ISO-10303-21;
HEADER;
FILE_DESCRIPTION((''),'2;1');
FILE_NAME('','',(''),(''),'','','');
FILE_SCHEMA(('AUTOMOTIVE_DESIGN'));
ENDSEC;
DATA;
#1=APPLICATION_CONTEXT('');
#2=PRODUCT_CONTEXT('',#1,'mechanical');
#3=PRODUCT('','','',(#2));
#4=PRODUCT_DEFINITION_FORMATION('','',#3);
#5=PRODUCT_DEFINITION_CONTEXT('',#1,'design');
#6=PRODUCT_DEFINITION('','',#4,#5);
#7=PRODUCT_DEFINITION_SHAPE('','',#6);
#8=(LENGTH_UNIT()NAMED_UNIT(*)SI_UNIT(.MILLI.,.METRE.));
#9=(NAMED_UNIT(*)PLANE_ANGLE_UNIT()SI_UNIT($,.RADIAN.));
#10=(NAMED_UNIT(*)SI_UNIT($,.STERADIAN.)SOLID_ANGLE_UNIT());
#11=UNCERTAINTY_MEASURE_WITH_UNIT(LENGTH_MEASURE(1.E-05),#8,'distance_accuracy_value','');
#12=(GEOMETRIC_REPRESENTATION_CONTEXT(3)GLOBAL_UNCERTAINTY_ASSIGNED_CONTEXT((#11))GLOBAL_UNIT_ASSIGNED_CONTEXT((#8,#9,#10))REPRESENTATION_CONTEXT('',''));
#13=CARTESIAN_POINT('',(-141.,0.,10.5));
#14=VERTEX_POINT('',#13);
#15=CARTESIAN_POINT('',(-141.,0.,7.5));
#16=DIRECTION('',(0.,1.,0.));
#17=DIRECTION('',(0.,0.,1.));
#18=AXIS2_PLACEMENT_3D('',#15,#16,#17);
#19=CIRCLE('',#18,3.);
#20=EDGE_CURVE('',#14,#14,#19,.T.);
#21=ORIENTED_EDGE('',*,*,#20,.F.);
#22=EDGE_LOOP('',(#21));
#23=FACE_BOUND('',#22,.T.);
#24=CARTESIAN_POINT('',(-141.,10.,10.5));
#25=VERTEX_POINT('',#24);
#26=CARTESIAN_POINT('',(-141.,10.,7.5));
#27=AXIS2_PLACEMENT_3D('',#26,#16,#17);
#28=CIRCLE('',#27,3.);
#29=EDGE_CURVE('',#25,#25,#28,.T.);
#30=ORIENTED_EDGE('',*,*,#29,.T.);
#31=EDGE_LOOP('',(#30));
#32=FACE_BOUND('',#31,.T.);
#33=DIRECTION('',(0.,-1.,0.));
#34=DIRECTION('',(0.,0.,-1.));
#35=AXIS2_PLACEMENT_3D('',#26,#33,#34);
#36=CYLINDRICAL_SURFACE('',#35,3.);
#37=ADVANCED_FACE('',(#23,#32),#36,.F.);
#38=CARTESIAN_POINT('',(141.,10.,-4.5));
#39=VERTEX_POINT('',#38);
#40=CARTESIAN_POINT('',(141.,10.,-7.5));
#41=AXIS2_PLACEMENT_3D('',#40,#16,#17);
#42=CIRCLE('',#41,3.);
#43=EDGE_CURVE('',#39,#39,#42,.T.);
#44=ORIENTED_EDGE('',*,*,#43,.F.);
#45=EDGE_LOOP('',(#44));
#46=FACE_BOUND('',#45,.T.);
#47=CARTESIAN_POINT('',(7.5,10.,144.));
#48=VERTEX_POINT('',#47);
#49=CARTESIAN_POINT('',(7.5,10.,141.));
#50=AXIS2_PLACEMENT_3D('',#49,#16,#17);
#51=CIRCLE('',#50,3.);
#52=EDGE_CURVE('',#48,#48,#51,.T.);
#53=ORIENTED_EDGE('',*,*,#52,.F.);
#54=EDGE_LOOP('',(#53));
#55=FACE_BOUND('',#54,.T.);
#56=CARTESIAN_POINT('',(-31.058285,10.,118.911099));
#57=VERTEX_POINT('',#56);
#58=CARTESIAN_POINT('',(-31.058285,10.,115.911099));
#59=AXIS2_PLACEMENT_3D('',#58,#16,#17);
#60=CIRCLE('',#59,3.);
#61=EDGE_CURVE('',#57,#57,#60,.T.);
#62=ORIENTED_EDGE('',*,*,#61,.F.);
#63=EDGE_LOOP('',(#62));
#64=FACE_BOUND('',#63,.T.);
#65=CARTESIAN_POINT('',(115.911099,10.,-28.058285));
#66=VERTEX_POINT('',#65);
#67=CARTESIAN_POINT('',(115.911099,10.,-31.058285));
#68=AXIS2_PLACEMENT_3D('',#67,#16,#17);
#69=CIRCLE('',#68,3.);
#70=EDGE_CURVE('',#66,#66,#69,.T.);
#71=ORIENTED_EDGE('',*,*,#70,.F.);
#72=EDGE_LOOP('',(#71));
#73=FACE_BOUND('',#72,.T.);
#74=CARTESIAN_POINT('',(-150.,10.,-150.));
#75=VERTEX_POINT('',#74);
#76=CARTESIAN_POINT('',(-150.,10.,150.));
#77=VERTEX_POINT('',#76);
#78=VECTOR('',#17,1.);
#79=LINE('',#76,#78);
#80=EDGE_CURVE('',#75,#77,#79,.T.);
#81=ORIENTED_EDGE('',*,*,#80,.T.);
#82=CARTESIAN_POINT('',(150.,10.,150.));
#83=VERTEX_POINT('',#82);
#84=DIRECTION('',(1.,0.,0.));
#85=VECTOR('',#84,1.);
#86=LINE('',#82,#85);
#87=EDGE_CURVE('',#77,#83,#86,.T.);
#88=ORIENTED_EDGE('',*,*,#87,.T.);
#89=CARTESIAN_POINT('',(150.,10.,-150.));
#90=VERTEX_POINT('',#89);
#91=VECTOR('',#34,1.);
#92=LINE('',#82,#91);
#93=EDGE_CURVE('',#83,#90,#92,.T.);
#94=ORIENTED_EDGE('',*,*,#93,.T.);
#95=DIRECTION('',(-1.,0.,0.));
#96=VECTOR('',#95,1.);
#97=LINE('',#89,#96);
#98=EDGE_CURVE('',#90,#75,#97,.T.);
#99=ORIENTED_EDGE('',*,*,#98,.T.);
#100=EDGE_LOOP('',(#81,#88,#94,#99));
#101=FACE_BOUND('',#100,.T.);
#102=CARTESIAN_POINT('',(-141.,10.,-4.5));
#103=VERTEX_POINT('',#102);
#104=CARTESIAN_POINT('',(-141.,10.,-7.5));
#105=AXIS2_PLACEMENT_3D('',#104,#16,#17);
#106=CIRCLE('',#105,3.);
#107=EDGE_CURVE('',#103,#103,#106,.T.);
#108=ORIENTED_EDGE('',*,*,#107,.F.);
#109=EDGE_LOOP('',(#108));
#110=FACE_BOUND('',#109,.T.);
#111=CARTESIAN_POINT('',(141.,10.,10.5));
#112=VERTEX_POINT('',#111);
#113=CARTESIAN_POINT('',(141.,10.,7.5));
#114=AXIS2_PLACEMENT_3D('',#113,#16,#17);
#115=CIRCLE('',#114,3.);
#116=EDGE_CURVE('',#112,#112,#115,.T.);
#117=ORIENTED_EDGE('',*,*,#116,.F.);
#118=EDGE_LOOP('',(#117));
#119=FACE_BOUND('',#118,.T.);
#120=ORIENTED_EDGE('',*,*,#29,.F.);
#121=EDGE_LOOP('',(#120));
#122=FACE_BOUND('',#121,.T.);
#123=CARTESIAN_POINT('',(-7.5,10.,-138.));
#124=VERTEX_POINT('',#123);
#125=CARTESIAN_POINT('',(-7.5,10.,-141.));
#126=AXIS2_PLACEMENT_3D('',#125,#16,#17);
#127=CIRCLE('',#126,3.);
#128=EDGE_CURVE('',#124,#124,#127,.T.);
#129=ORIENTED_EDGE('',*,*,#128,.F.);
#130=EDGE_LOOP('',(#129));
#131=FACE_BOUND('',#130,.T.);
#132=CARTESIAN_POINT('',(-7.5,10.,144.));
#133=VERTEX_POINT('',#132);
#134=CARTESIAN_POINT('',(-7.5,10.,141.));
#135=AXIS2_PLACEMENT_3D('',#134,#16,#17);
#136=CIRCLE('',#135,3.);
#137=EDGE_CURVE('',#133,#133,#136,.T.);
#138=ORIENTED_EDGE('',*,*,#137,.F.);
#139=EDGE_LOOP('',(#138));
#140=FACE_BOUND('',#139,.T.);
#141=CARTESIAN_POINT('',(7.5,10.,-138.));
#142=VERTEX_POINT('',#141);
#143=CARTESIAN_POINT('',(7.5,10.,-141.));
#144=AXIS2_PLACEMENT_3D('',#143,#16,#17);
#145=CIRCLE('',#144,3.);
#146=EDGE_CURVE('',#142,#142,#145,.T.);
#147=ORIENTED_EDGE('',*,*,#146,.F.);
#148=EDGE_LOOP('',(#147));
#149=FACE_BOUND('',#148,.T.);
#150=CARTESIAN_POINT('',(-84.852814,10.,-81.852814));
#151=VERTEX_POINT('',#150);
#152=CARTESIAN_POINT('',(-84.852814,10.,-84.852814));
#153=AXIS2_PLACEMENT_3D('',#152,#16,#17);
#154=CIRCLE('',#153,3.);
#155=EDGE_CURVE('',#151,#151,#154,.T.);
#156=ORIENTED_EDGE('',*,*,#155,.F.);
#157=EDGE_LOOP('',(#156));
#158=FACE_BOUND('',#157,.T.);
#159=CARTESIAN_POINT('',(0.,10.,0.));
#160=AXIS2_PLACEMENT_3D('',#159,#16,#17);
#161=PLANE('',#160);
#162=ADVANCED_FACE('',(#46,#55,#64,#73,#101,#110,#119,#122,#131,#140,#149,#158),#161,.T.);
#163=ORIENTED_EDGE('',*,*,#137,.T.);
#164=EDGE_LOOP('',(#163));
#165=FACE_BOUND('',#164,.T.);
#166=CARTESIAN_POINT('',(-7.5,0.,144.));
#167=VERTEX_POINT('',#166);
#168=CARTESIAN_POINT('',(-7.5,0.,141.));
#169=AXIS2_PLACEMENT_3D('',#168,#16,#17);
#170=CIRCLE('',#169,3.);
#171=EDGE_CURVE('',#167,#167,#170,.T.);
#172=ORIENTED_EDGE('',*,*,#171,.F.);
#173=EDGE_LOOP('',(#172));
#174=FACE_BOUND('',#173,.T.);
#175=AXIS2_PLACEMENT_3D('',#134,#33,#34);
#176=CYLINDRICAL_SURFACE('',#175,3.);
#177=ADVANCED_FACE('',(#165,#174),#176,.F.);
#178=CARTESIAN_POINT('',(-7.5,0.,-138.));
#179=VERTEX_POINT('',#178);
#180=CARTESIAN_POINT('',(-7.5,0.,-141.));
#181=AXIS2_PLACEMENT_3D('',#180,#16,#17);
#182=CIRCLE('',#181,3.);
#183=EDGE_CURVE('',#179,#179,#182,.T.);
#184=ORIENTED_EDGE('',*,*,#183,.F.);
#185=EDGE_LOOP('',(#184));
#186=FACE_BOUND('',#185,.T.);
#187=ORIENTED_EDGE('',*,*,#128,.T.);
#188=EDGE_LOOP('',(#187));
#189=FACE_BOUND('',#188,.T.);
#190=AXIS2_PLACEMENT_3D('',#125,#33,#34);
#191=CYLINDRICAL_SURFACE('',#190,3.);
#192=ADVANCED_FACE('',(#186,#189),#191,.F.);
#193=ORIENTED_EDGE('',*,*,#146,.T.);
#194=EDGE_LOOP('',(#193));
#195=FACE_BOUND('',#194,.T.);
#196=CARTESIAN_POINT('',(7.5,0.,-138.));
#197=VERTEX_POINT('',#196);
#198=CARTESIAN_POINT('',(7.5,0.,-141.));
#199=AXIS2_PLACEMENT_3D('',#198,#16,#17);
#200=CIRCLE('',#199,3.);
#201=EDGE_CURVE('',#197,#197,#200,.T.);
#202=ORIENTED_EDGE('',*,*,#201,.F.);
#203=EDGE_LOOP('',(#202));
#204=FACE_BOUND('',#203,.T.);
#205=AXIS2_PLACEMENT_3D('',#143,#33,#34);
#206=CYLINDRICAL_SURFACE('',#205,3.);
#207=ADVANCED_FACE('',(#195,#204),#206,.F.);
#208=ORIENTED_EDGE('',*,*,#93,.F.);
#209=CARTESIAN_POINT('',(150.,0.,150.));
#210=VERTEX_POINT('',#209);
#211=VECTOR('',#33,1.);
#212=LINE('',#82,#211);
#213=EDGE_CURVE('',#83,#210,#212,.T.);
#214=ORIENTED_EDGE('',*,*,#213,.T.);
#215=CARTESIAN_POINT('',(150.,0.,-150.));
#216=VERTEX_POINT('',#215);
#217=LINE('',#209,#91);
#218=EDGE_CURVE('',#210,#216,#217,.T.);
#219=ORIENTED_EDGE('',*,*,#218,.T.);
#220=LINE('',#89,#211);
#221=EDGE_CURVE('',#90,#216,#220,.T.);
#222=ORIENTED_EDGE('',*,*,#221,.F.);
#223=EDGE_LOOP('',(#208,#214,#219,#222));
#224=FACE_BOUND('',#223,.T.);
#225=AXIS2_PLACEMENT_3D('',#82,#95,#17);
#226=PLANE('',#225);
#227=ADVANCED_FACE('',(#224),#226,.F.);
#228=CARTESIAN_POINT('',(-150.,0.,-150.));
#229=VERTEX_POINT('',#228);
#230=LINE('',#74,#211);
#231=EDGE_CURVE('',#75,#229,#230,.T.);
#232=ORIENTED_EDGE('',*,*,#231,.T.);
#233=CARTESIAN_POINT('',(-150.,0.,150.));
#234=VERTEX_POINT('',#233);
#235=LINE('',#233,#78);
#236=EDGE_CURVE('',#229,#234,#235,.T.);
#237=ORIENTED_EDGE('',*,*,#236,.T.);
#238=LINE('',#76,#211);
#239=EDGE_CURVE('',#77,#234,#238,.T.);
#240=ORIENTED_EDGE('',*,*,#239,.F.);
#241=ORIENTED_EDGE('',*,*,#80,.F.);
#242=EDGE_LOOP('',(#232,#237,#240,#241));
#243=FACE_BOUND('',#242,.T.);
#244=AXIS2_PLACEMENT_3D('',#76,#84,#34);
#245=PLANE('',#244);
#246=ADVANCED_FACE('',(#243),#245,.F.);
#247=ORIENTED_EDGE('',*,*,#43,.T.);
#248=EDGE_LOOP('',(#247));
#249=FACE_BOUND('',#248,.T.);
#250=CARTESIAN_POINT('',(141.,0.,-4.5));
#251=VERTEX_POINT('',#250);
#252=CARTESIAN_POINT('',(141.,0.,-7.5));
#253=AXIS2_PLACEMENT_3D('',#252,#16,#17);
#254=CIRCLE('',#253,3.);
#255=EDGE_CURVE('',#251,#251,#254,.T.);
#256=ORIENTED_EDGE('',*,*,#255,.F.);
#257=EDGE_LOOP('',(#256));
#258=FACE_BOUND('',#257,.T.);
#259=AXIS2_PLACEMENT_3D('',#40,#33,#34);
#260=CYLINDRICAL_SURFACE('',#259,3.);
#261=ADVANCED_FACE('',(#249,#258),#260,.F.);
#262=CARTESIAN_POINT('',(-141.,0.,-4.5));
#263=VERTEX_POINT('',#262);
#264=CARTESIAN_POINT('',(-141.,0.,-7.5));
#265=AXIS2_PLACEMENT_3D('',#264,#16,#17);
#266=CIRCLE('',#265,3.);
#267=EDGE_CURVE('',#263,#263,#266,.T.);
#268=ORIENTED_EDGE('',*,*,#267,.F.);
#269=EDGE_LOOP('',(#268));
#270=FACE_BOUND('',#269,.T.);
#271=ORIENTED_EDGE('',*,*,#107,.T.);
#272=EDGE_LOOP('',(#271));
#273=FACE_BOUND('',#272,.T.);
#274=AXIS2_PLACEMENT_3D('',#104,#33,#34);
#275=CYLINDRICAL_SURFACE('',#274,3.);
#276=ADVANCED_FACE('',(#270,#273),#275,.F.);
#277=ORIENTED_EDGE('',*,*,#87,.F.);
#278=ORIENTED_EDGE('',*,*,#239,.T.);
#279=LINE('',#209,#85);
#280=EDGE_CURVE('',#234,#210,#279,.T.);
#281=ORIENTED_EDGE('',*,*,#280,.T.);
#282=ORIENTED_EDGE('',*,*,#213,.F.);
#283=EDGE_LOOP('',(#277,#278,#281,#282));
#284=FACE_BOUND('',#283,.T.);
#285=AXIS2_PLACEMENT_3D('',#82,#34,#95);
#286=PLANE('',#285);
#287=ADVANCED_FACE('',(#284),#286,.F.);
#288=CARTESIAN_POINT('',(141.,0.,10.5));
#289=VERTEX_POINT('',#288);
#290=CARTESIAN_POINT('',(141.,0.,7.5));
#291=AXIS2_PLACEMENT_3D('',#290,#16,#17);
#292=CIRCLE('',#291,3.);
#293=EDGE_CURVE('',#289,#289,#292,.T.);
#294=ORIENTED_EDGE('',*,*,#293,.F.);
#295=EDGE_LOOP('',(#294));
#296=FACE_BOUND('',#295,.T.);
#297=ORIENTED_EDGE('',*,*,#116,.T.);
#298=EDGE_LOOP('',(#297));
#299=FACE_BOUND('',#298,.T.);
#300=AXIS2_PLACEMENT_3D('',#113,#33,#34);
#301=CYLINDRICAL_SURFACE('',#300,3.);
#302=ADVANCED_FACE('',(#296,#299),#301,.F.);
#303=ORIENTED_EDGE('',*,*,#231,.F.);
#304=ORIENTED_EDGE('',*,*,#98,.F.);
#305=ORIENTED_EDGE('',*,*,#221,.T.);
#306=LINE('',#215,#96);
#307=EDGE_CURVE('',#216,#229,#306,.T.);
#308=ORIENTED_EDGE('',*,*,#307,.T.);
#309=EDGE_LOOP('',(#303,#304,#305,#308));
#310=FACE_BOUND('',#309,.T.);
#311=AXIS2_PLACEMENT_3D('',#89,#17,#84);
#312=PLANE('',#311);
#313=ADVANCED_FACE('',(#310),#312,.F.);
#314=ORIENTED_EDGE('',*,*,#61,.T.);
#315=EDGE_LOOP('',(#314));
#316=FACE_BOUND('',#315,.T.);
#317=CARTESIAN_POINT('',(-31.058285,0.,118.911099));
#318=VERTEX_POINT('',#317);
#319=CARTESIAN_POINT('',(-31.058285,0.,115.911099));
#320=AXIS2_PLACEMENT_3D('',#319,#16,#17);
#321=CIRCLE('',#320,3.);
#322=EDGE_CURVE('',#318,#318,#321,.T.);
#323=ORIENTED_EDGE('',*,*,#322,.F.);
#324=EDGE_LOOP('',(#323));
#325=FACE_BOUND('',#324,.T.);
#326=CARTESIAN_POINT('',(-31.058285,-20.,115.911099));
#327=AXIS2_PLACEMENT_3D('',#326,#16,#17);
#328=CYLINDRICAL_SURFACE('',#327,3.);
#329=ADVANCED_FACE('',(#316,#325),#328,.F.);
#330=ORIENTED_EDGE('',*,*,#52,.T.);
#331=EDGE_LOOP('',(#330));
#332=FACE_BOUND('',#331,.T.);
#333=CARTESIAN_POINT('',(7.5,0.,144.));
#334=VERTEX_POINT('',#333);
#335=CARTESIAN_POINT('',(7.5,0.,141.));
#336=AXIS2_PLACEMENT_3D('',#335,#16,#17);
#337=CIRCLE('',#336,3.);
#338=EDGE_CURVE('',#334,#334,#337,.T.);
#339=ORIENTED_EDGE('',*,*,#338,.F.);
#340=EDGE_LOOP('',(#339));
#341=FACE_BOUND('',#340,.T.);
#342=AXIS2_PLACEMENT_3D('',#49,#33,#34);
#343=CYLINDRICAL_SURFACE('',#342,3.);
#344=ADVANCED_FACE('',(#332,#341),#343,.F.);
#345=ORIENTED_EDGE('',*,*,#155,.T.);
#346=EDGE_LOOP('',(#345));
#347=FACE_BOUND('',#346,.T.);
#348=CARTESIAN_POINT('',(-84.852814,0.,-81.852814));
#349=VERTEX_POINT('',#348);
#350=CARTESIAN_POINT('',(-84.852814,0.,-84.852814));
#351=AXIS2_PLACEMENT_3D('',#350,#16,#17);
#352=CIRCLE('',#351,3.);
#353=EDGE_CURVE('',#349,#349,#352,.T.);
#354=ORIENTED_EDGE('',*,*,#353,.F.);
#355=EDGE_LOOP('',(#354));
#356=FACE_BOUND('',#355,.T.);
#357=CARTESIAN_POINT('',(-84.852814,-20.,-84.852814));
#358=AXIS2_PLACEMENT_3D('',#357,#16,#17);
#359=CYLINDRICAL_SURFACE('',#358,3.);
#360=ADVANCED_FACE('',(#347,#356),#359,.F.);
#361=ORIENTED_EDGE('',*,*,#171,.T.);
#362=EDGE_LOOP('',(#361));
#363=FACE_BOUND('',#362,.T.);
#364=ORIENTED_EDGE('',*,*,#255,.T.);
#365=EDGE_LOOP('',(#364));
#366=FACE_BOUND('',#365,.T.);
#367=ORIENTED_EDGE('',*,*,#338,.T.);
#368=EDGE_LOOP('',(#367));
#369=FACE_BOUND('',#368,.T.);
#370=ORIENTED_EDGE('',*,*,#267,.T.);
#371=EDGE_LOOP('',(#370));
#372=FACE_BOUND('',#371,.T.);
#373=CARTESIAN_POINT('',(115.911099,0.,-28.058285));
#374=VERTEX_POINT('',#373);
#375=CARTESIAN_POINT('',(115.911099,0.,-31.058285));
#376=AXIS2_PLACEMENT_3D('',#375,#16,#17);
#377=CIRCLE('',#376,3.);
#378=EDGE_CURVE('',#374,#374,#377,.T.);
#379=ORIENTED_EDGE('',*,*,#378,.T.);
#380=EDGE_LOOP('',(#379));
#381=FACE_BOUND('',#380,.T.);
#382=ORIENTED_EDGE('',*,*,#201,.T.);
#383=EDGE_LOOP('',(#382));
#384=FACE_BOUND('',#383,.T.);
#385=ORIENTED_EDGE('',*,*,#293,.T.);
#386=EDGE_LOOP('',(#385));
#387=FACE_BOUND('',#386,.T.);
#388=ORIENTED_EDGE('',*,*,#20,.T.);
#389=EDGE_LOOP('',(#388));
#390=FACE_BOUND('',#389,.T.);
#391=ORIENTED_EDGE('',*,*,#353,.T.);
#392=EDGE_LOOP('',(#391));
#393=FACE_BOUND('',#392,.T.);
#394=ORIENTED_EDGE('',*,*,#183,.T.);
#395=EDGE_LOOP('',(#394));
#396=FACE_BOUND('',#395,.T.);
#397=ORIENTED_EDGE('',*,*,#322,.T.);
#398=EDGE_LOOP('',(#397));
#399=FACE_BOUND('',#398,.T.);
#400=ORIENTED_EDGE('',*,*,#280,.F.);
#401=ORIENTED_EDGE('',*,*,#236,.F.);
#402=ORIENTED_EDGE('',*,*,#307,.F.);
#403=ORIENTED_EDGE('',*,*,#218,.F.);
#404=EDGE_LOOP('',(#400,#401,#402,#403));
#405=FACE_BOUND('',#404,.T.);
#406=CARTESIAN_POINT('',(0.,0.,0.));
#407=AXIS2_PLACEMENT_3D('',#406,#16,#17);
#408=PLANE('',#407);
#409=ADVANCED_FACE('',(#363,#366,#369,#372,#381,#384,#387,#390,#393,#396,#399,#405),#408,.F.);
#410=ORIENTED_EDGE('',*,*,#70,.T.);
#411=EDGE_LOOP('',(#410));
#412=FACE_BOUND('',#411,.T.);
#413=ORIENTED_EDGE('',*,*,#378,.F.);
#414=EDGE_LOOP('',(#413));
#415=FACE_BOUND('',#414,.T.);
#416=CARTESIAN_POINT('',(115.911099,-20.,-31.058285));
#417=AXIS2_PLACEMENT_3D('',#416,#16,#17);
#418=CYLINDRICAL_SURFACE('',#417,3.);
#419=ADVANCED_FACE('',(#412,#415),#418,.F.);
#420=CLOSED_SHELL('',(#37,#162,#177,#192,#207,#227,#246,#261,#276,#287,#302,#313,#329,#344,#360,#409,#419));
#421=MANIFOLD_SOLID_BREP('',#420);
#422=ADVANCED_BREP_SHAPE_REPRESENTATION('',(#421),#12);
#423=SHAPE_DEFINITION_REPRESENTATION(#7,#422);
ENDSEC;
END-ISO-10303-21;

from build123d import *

# Parameters (mm, degrees)
SKETCH1_W           = 300
SKETCH1_H           = 300
SKETCH1_R           = 3
BOSS_EXTRUDE1_DEPTH = 10
SKETCH2_R           = 3
CUT_EXTRUDE1_DEPTH  = 30


with BuildPart() as part:
    # Sketch1 → Boss-Extrude1 (new body)
    with BuildSketch(Plane(origin=(0, 0, 0), x_dir=(1, 0, 0), z_dir=(0, 1, 0))):
        Rectangle(SKETCH1_W, SKETCH1_H)
        with Locations(Location((-141, 7.5, 0), (0, 0, 270))):
            Circle(SKETCH1_R, mode=Mode.SUBTRACT)
        with Locations(Location((-141, -7.5, 0), (0, 0, 270))):
            Circle(SKETCH1_R, mode=Mode.SUBTRACT)
        with Locations(Location((7.5, 141, 0), (0, 0, 270))):
            Circle(SKETCH1_R, mode=Mode.SUBTRACT)
        with Locations(Location((-7.5, 141, 0), (0, 0, 270))):
            Circle(SKETCH1_R, mode=Mode.SUBTRACT)
        with Locations(Location((141, -7.5, 0), (0, 0, 270))):
            Circle(SKETCH1_R, mode=Mode.SUBTRACT)
        with Locations(Location((141, 7.5, 0), (0, 0, 270))):
            Circle(SKETCH1_R, mode=Mode.SUBTRACT)
        with Locations(Location((-7.5, -141, 0), (0, 0, 270))):
            Circle(SKETCH1_R, mode=Mode.SUBTRACT)
        with Locations(Location((7.5, -141, 0), (0, 0, 270))):
            Circle(SKETCH1_R, mode=Mode.SUBTRACT)
    extrude(amount=BOSS_EXTRUDE1_DEPTH)

    # Sketch2 → Cut-Extrude1 (cut)
    with BuildSketch(Plane(origin=(0, 10, 0), x_dir=(1, 0, 0), z_dir=(0, 1, 0))):
        with Locations(Location((-84.852813742, 84.852813742, 0), (0, 0, 270))):
            Circle(SKETCH2_R)
        with Locations(Location((115.911099155, 31.058285412, 0), (0, 0, 270))):
            Circle(SKETCH2_R)
        with Locations(Location((-31.058285412, -115.911099155, 0), (0, 0, 270))):
            Circle(SKETCH2_R)
    extrude(amount=-CUT_EXTRUDE1_DEPTH, mode=Mode.SUBTRACT)


solid = part.part
